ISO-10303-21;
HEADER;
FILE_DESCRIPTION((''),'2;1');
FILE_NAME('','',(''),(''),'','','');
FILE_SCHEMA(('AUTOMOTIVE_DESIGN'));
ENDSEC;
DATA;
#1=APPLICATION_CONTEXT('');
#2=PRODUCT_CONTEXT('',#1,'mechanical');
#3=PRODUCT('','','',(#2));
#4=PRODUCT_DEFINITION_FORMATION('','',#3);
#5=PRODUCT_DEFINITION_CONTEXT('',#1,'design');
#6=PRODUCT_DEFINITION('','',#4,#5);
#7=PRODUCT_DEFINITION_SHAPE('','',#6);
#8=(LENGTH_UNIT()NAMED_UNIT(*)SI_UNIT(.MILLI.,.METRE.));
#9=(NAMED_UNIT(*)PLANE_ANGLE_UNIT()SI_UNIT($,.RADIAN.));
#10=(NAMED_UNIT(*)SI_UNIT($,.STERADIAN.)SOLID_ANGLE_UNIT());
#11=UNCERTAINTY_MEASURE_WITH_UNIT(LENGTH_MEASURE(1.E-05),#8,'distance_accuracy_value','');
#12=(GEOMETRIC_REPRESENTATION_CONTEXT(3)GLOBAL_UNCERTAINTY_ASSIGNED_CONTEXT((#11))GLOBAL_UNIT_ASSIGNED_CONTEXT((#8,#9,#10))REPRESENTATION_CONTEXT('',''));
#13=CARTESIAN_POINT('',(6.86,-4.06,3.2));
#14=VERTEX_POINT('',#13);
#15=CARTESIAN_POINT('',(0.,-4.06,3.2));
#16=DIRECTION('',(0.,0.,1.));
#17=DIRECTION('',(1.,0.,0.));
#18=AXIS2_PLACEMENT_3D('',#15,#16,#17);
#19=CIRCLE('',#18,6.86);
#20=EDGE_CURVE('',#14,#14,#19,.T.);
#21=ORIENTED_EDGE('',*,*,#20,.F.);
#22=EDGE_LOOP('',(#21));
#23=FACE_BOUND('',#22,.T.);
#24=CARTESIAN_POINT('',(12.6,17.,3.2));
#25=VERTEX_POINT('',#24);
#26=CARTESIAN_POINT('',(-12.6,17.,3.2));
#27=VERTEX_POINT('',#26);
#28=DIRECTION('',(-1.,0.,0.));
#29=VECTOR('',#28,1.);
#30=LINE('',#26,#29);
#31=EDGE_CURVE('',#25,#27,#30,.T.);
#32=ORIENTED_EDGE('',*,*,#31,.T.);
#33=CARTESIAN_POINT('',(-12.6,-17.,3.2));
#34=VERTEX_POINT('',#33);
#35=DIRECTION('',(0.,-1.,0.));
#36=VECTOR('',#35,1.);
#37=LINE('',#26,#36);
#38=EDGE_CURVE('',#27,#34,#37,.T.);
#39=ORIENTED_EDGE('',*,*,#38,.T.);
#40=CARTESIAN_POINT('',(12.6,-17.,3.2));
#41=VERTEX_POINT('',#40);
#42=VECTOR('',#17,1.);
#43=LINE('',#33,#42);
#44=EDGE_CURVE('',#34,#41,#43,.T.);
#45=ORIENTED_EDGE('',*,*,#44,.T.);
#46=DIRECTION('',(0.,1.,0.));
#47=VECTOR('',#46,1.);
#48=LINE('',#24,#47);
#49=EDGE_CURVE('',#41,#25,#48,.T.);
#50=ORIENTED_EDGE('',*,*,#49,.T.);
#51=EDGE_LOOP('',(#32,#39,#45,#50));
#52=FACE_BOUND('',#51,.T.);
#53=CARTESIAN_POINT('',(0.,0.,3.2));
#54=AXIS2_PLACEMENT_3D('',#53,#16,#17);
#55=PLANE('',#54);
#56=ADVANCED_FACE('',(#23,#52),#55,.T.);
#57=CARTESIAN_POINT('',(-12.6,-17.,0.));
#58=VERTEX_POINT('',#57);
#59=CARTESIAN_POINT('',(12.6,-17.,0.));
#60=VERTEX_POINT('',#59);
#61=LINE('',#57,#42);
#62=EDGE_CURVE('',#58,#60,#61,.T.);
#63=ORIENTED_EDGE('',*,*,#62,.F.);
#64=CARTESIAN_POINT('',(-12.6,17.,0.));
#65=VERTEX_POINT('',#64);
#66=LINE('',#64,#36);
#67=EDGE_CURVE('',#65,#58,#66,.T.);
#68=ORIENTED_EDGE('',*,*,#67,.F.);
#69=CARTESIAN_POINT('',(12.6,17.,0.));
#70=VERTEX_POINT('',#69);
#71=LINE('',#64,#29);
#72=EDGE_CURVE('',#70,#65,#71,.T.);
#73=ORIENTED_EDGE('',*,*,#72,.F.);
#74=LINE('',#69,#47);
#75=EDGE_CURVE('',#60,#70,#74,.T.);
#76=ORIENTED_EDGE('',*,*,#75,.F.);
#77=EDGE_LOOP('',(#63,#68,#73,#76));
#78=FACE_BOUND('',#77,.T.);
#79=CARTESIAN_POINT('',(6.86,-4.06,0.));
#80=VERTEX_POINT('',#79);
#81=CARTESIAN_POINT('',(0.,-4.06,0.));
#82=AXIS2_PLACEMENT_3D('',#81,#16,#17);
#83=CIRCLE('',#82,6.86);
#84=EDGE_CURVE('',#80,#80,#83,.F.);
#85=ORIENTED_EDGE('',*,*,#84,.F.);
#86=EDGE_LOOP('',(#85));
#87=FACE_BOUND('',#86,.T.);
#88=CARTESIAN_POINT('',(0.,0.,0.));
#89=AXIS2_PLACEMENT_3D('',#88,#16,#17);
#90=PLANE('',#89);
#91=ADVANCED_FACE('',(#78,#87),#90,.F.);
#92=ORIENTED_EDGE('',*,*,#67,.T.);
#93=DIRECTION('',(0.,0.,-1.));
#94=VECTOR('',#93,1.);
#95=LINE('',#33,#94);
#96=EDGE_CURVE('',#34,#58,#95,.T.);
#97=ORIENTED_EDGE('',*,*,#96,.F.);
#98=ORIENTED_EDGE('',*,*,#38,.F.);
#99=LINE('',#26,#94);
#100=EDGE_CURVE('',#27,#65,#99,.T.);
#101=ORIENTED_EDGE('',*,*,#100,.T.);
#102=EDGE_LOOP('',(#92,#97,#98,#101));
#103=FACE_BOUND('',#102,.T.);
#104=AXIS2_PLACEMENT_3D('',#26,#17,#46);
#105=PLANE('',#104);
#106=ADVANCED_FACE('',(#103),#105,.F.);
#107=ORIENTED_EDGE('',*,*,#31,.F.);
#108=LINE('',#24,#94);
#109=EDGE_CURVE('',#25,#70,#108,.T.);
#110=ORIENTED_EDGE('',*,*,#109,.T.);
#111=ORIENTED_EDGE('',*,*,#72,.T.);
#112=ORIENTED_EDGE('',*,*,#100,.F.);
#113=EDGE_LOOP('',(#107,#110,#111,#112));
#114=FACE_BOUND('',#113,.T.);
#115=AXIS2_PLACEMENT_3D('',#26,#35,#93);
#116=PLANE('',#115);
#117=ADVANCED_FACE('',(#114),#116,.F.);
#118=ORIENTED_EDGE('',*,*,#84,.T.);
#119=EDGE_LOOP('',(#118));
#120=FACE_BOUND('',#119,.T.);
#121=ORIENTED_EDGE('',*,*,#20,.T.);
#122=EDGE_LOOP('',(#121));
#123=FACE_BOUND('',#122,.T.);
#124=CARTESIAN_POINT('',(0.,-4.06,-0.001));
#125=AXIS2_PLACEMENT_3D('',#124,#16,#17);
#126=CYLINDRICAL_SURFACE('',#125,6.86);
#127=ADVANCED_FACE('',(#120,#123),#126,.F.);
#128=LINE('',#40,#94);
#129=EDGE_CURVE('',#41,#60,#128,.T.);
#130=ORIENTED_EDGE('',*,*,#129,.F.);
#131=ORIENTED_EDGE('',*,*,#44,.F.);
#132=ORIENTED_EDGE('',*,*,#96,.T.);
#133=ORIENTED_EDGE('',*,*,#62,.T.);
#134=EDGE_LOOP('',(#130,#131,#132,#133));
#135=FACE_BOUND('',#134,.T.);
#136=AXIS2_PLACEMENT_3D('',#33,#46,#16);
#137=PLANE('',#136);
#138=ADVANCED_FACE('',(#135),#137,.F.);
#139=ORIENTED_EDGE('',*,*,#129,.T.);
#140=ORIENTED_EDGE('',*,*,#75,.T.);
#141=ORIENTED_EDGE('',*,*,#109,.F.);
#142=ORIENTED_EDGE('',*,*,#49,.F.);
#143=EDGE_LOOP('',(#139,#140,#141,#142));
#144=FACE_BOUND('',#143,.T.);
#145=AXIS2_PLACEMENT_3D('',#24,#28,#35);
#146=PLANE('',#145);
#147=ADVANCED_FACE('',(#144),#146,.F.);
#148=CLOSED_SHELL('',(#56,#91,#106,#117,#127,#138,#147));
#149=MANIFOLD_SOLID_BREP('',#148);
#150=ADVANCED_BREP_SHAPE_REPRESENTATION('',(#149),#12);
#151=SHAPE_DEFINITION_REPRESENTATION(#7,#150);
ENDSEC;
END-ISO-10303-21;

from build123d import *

# Parameters (mm, degrees)
SKETCH1_W           = 25.2
SKETCH1_H           = 34
BOSS_EXTRUDE1_DEPTH = 3.2
CUT_EXTRUDE1_REACH  = 5.2
SKETCH4_R           = 6.86


with BuildPart() as part:
    # Sketch1 → Boss-Extrude1 (new body)
    with BuildSketch(Plane.XY):
        Rectangle(SKETCH1_W, SKETCH1_H)
    extrude(amount=BOSS_EXTRUDE1_DEPTH)

    # Sketch4 → Cut-Extrude1 (cut, up to next)
    with BuildSketch(Plane.XY.offset(3.2), mode=Mode.PRIVATE) as cut_extrude1_sk1:
        with Locations((0, -4.06)):
            Circle(SKETCH4_R)
    cut_extrude1_tool1 = extrude(cut_extrude1_sk1.sketch, amount=-CUT_EXTRUDE1_REACH, mode=Mode.PRIVATE) & part.part
    add(cut_extrude1_tool1.solids().sort_by_distance((0, -4.06, 3.2))[0], mode=Mode.SUBTRACT)


solid = part.part
